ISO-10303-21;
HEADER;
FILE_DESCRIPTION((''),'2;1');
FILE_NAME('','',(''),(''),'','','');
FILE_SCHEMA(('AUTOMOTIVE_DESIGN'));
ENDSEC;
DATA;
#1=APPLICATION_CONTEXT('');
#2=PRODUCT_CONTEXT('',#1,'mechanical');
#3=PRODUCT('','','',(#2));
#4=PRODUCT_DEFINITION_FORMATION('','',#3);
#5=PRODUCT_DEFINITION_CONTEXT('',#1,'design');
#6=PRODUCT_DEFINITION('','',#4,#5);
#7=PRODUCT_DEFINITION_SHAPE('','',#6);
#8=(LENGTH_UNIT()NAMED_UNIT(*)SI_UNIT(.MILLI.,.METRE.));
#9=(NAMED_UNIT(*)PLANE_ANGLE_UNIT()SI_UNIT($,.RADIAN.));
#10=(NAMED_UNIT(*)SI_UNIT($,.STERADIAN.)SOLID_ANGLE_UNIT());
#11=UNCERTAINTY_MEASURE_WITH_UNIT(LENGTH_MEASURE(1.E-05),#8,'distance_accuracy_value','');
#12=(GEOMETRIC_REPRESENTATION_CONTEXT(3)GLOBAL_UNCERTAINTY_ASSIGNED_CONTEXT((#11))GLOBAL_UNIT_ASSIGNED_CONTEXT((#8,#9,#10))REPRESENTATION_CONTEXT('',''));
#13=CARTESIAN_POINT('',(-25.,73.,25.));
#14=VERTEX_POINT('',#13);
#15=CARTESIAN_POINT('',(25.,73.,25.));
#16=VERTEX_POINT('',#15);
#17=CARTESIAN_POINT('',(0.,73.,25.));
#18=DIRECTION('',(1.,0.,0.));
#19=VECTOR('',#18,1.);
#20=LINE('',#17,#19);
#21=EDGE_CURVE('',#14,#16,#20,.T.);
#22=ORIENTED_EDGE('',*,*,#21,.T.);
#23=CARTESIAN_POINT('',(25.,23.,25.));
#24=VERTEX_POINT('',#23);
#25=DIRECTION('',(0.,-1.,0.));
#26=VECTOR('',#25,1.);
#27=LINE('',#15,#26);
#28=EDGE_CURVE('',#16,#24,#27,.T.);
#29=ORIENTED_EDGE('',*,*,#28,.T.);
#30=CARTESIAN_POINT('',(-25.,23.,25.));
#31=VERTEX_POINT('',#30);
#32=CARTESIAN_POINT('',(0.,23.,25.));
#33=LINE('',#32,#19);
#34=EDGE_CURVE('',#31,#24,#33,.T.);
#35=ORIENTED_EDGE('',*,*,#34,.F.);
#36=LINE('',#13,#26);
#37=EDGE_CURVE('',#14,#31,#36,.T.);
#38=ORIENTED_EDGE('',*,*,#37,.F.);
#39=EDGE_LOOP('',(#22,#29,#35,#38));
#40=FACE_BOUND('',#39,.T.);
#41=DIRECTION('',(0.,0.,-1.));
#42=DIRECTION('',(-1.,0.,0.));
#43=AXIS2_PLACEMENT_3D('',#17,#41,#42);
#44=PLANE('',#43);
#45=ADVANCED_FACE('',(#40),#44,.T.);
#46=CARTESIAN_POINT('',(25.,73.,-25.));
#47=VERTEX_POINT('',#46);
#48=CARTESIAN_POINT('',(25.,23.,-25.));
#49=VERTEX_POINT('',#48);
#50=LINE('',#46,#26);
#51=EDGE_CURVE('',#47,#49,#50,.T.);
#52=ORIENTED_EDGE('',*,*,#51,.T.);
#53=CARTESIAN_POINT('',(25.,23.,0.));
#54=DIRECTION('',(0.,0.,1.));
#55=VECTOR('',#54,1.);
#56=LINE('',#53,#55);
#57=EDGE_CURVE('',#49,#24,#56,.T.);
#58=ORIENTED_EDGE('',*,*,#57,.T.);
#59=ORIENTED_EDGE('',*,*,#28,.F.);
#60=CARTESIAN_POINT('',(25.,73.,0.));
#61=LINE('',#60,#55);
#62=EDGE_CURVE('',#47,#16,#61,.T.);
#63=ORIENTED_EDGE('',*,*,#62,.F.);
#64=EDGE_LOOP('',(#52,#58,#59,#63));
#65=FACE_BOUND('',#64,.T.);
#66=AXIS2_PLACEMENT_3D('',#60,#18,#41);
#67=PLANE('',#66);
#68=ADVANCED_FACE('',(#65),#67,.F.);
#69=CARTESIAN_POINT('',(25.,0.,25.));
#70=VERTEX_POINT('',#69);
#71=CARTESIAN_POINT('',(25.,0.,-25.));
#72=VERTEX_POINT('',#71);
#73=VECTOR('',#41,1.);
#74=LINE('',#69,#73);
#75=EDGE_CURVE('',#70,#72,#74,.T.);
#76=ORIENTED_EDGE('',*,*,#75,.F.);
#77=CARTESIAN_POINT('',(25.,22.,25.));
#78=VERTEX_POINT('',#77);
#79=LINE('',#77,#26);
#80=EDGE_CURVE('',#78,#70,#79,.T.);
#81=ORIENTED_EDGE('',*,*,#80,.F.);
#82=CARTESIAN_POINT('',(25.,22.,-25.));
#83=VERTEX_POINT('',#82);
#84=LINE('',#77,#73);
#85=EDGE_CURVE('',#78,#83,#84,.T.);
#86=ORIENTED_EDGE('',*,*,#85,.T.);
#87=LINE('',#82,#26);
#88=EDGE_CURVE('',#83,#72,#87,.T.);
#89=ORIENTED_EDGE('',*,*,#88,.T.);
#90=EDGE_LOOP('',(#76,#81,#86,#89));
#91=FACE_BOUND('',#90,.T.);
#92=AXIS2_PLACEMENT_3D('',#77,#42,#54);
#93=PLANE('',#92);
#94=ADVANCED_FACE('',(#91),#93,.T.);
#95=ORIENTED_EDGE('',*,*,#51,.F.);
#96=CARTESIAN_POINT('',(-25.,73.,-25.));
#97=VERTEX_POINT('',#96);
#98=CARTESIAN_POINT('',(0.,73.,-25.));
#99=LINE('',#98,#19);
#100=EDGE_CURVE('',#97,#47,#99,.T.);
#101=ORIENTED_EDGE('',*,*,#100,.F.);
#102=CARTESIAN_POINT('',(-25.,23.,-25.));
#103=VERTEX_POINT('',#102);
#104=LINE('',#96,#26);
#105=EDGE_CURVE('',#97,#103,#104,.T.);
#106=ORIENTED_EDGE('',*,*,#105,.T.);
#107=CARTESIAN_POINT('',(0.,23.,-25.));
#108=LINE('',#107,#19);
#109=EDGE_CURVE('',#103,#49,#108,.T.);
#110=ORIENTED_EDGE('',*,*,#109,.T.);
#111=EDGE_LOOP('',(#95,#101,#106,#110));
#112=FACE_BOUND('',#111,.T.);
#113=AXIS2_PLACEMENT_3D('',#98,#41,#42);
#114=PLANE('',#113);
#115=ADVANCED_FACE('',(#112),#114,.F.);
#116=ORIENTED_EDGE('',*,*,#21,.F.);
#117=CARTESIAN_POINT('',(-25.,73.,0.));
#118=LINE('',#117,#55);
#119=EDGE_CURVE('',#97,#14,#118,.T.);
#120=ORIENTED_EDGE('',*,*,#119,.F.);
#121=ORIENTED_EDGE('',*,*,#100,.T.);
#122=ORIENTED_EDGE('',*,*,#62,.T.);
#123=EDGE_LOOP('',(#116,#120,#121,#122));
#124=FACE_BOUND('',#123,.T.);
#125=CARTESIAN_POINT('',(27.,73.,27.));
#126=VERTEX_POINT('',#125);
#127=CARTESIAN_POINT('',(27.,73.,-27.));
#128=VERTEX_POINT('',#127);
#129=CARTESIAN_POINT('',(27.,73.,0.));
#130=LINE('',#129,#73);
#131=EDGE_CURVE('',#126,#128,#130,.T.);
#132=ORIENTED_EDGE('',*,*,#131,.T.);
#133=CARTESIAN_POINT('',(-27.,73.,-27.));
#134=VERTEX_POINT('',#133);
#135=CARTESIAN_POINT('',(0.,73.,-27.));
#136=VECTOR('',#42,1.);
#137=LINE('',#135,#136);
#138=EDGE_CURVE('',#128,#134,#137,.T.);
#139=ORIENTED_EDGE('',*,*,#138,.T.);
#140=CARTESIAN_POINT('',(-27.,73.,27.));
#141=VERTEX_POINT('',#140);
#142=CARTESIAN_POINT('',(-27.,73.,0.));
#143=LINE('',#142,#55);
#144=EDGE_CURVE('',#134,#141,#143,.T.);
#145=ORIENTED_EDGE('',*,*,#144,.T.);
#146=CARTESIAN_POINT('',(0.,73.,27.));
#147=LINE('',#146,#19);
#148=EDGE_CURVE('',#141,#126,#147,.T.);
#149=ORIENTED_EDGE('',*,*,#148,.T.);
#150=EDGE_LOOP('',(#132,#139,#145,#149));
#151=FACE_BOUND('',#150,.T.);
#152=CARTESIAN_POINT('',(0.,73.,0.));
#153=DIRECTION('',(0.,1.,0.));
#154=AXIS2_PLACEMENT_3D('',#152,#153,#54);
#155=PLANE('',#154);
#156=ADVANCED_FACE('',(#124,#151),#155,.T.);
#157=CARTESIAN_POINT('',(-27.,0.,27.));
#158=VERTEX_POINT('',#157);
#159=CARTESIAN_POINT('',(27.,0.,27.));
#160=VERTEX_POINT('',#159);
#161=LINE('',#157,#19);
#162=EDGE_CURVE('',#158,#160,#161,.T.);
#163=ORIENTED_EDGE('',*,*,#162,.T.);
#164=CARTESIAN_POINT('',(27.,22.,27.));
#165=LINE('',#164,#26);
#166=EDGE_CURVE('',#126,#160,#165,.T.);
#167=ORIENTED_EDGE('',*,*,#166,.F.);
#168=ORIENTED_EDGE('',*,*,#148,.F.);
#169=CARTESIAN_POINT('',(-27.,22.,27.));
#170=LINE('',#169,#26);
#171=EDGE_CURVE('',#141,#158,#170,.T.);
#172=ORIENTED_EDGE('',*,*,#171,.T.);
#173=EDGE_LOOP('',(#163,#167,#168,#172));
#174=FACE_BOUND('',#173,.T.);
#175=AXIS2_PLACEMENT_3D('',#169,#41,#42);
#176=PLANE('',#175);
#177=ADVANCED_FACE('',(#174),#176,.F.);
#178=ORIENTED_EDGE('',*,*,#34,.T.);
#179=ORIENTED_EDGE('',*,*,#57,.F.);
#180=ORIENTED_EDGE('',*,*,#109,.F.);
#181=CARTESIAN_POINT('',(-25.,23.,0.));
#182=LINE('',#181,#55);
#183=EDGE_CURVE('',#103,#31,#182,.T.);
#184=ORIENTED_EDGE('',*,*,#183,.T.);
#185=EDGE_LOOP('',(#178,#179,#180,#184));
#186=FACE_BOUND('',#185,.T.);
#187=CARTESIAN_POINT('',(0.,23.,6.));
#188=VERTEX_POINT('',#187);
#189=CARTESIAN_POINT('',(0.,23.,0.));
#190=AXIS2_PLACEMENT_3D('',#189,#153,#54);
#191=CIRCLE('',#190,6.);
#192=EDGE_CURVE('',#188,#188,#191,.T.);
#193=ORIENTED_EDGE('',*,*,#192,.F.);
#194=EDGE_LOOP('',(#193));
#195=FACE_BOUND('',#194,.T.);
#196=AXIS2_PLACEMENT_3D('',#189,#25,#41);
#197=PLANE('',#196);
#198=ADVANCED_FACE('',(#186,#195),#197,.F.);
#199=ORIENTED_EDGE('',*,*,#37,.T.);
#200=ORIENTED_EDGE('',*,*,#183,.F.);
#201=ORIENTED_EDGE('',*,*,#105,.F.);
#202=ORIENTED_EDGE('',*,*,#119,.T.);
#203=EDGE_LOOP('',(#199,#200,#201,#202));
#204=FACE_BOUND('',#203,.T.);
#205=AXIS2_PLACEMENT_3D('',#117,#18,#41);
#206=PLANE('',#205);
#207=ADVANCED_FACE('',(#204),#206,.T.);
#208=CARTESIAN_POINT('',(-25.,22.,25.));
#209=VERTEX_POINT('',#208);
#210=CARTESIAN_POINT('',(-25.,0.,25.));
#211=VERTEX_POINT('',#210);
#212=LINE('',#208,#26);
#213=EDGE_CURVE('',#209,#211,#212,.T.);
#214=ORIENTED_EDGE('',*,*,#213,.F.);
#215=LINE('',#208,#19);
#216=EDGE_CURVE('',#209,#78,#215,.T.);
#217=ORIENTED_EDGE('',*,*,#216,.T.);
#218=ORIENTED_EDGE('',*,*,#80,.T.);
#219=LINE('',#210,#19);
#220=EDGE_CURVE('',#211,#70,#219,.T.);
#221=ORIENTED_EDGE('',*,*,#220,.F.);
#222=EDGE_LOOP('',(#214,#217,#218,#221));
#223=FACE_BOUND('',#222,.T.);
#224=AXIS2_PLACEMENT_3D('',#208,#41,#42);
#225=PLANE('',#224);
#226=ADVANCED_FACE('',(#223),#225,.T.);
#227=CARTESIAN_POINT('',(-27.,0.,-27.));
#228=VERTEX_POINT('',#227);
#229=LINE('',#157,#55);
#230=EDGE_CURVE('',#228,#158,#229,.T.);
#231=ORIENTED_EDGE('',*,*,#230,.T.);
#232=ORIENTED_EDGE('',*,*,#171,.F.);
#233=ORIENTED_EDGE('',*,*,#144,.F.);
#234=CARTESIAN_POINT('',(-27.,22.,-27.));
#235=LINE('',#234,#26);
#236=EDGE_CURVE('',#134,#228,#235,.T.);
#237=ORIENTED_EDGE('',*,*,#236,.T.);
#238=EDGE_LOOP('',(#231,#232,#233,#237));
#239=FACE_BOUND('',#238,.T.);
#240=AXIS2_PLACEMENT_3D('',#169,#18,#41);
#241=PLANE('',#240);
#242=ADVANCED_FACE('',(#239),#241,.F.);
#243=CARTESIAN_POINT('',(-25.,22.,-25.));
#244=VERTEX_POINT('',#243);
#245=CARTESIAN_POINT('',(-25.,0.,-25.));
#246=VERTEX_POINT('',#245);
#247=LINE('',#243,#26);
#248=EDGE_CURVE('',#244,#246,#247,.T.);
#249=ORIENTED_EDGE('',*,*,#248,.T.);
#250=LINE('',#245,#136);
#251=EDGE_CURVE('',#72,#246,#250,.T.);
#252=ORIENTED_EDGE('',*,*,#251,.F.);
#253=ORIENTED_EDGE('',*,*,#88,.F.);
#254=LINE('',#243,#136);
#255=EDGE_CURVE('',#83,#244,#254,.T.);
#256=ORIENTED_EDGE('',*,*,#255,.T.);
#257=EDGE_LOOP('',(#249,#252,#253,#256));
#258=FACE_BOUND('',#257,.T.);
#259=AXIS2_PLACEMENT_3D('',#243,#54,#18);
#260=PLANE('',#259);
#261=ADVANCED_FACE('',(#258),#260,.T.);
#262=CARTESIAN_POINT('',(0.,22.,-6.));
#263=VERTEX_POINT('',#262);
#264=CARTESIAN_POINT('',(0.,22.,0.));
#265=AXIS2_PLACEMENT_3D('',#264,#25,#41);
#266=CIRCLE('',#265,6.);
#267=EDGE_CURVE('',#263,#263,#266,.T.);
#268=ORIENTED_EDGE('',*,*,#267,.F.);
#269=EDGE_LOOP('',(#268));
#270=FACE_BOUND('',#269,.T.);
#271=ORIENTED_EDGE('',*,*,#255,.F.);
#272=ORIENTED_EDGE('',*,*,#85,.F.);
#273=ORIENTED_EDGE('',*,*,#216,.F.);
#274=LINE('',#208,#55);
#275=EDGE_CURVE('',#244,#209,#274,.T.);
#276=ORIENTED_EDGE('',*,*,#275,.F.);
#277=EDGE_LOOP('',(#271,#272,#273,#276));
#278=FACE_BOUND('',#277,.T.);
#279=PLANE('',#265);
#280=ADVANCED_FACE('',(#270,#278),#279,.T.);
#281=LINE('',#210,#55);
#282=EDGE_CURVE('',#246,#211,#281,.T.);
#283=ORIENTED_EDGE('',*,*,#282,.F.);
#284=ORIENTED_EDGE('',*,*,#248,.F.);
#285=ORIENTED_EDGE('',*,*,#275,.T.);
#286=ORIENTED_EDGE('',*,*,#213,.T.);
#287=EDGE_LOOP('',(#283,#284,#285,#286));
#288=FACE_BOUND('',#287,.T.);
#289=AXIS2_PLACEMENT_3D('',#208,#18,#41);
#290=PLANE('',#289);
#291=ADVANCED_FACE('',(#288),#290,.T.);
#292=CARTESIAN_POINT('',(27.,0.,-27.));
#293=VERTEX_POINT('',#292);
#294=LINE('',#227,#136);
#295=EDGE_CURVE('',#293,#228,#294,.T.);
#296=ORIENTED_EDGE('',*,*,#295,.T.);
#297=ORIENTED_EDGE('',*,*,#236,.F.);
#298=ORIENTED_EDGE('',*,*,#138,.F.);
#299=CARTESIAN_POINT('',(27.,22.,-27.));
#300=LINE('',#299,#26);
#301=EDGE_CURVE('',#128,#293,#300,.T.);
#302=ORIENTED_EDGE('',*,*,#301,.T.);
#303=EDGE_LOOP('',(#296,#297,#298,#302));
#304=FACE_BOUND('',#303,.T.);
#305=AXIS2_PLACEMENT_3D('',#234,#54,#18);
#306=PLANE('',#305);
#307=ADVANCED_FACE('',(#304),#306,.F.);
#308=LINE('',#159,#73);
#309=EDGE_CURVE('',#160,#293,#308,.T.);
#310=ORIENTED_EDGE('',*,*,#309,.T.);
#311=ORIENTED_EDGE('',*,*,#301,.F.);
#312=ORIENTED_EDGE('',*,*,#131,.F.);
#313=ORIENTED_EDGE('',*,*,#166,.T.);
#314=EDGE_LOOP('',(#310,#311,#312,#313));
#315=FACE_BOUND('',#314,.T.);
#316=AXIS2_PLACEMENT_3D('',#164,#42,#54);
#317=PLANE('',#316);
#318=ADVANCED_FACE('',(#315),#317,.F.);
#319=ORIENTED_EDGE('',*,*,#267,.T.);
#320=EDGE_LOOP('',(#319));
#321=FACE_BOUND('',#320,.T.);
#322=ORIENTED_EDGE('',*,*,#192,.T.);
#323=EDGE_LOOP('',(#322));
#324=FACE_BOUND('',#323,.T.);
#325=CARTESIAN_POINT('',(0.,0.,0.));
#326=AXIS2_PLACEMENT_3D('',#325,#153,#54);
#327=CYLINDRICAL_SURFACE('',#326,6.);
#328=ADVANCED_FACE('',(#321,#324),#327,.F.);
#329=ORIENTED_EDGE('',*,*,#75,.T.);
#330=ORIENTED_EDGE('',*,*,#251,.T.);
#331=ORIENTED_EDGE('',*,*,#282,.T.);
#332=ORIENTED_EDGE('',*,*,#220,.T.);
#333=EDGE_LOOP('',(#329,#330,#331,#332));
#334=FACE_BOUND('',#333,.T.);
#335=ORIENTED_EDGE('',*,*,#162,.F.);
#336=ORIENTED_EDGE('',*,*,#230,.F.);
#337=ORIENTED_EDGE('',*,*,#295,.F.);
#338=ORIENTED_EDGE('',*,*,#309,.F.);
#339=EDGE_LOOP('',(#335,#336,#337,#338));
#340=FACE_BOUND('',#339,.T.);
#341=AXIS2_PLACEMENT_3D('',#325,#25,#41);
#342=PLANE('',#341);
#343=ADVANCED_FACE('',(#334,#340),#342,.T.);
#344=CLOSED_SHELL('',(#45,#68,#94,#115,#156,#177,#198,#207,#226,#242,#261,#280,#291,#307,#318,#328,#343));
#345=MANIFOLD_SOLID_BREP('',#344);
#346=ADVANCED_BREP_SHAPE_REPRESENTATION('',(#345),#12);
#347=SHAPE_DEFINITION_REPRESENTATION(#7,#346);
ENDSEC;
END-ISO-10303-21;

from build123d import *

# Parameters (mm, degrees)
SKETCH1_W           = 54
SKETCH1_H           = 54
SKETCH1_W_2         = 50
SKETCH1_H_2         = 50
BOSS_EXTRUDE1_DEPTH = 22
SKETCH2_W           = 54
SKETCH2_H           = 54
BOSS_EXTRUDE2_DEPTH = 1
SKETCH3_R           = 6
CUT_EXTRUDE1_DEPTH  = 24
SKETCH4_W           = 2
SKETCH4_H           = 50
SKETCH4_H_2         = 2
SKETCH4_W_2         = 50
BOSS_EXTRUDE3_DEPTH = 50


with BuildPart() as part:
    # Sketch1 → Boss-Extrude1 (new body)
    with BuildSketch(Plane(origin=(0, 0, 0), x_dir=(1, 0, 0), z_dir=(0, 1, 0))):
        Rectangle(SKETCH1_W, SKETCH1_H)
        Rectangle(SKETCH1_W_2, SKETCH1_H_2, mode=Mode.SUBTRACT)
    extrude(amount=BOSS_EXTRUDE1_DEPTH)

    # Sketch2 → Boss-Extrude2 (add)
    with BuildSketch(Plane(origin=(0, 22, 0), x_dir=(1, 0, 0), z_dir=(0, 1, 0))):
        Rectangle(SKETCH2_W, SKETCH2_H)
    extrude(amount=BOSS_EXTRUDE2_DEPTH)

    # Sketch3 → Cut-Extrude1 (cut, through all)
    with BuildSketch(Plane(origin=(0, 23, 0), x_dir=(1, 0, 0), z_dir=(0, 1, 0))):
        Circle(SKETCH3_R)
    extrude(amount=-CUT_EXTRUDE1_DEPTH, mode=Mode.SUBTRACT)

    # Sketch4 → Boss-Extrude3 (add)
    with BuildSketch(Plane(origin=(0, 23, 0), x_dir=(1, 0, 0), z_dir=(0, 1, 0))):
        with Locations((-26, 0)):
            Rectangle(SKETCH4_W, SKETCH4_H)
        with Locations((-26, -26)):
            Rectangle(SKETCH4_W, SKETCH4_H_2)
        with Locations((0, -26)):
            Rectangle(SKETCH4_W_2, SKETCH4_H_2)
        with Locations((26, -26)):
            Rectangle(SKETCH4_W, SKETCH4_H_2)
        with Locations((26, 0)):
            Rectangle(SKETCH4_W, SKETCH4_H)
        with Locations((26, 26)):
            Rectangle(SKETCH4_W, SKETCH4_H_2)
        with Locations((0, 26)):
            Rectangle(SKETCH4_W_2, SKETCH4_H_2)
        with Locations((-26, 26)):
            Rectangle(SKETCH4_W, SKETCH4_H_2)
    extrude(amount=BOSS_EXTRUDE3_DEPTH)


solid = part.part
